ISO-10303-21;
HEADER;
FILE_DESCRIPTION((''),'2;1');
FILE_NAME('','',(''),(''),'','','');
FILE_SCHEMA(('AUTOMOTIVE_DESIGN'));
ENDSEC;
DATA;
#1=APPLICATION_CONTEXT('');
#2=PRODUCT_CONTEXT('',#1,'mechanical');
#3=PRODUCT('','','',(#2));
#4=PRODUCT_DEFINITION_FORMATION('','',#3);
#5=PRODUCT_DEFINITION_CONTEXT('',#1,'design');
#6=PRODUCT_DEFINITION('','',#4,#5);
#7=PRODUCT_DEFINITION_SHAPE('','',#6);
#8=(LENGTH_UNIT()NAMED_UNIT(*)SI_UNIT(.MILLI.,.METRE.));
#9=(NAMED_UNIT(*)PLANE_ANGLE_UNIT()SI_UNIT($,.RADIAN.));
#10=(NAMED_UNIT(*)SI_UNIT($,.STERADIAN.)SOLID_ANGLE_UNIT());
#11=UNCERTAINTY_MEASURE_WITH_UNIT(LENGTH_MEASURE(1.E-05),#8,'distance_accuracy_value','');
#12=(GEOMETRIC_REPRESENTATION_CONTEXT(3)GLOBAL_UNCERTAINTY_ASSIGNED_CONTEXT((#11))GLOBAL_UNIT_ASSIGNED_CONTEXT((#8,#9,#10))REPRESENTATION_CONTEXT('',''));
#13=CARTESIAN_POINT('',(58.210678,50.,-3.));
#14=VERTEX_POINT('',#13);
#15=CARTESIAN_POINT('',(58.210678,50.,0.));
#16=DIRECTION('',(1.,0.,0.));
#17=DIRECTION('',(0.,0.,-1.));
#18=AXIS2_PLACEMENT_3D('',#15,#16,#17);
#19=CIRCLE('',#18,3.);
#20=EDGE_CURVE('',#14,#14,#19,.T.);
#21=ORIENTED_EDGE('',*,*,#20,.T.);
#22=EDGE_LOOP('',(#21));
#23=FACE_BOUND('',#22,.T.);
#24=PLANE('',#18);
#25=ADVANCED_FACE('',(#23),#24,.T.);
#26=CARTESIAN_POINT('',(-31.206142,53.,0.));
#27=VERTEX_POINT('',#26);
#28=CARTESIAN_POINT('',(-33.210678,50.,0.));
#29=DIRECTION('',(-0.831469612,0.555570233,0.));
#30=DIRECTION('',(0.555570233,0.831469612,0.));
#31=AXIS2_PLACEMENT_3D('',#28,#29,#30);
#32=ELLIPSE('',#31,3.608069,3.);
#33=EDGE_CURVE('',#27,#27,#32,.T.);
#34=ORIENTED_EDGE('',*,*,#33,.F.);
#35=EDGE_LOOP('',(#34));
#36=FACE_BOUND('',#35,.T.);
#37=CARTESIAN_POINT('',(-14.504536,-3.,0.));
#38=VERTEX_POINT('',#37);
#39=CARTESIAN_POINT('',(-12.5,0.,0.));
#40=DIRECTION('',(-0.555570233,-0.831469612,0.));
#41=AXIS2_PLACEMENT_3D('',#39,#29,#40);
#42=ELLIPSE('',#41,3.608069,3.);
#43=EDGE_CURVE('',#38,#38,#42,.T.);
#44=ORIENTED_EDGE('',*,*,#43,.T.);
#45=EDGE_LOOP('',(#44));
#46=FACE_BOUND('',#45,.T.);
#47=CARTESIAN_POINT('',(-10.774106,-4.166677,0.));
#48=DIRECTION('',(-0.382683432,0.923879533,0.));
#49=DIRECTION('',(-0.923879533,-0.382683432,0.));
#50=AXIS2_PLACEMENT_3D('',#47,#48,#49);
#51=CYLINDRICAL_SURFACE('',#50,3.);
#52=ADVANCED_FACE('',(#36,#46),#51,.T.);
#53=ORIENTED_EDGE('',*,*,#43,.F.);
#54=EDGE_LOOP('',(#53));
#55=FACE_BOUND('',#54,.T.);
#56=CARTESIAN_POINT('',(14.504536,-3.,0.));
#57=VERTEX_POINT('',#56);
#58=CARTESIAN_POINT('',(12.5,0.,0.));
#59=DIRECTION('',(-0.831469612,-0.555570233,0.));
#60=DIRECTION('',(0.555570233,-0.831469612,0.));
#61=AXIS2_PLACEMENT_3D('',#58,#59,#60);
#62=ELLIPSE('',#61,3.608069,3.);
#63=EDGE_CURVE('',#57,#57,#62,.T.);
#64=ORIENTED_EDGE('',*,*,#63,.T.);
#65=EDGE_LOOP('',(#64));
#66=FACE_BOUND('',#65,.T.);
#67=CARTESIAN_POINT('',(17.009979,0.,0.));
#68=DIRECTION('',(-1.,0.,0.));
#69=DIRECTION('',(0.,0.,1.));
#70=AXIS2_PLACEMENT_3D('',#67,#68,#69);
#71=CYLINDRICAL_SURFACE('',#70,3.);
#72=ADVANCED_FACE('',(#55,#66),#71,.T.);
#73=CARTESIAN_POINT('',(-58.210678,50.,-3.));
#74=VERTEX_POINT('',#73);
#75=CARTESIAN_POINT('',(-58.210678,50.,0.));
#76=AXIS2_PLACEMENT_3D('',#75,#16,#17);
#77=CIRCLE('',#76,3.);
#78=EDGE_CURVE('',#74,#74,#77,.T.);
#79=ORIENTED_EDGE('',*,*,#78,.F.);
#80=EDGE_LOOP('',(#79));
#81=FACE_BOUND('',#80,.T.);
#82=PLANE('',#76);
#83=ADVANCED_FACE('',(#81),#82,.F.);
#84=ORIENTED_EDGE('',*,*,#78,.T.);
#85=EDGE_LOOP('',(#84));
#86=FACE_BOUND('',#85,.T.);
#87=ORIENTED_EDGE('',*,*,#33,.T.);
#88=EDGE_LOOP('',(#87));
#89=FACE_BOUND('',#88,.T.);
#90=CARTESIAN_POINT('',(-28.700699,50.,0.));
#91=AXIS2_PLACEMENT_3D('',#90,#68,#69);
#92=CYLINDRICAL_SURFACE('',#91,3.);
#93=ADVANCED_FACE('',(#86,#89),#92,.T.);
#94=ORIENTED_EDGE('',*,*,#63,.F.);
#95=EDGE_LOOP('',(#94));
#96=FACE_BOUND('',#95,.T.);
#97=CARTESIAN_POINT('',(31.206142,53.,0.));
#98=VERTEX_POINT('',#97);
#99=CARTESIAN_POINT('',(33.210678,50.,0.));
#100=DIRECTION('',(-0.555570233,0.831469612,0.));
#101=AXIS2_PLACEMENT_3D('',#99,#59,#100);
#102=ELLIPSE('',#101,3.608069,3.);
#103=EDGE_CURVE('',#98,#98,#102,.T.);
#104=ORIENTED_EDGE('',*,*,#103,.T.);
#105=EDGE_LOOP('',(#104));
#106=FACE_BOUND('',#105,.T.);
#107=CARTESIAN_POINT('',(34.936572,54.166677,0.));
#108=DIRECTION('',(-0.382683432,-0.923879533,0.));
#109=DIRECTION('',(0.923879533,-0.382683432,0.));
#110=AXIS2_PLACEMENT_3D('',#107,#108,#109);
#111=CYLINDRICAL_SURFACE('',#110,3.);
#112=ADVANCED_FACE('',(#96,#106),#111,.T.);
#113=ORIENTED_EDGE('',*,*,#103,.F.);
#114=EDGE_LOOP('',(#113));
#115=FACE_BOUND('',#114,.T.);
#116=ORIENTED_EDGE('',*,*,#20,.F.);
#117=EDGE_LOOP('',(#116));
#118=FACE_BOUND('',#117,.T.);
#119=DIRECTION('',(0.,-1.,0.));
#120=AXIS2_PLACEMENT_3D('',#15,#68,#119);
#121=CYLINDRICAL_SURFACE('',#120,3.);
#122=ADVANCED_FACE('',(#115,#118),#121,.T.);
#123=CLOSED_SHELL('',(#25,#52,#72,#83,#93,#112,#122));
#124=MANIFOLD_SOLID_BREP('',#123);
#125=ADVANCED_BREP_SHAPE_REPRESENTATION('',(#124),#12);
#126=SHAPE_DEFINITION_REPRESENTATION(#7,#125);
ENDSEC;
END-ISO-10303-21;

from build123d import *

# Parameters (mm, degrees)
SKETCH2_R = 3


with BuildPart() as part:
    # Sweep3: sweep along a path in Sketch1
    with BuildLine(Plane.XY) as sweep3_path:
        Line((-58.210678119, 50), (-33.210678119, 50))
        Line((-33.210678119, 50), (-12.5, 0))
        Line((-12.5, 0), (12.5, 0))
        Line((12.5, 0), (33.210678119, 50))
        Line((33.210678119, 50), (58.210678119, 50))
    # Sketch2 → Sweep3 (sweep)
    with BuildSketch(Plane(origin=(49, 0, 0), x_dir=(0, 0, -1), z_dir=(1, 0, 0))):
        with Locations((0, 50)):
            Circle(SKETCH2_R)
    sweep(path=sweep3_path.line, transition=Transition.RIGHT)


solid = part.part
